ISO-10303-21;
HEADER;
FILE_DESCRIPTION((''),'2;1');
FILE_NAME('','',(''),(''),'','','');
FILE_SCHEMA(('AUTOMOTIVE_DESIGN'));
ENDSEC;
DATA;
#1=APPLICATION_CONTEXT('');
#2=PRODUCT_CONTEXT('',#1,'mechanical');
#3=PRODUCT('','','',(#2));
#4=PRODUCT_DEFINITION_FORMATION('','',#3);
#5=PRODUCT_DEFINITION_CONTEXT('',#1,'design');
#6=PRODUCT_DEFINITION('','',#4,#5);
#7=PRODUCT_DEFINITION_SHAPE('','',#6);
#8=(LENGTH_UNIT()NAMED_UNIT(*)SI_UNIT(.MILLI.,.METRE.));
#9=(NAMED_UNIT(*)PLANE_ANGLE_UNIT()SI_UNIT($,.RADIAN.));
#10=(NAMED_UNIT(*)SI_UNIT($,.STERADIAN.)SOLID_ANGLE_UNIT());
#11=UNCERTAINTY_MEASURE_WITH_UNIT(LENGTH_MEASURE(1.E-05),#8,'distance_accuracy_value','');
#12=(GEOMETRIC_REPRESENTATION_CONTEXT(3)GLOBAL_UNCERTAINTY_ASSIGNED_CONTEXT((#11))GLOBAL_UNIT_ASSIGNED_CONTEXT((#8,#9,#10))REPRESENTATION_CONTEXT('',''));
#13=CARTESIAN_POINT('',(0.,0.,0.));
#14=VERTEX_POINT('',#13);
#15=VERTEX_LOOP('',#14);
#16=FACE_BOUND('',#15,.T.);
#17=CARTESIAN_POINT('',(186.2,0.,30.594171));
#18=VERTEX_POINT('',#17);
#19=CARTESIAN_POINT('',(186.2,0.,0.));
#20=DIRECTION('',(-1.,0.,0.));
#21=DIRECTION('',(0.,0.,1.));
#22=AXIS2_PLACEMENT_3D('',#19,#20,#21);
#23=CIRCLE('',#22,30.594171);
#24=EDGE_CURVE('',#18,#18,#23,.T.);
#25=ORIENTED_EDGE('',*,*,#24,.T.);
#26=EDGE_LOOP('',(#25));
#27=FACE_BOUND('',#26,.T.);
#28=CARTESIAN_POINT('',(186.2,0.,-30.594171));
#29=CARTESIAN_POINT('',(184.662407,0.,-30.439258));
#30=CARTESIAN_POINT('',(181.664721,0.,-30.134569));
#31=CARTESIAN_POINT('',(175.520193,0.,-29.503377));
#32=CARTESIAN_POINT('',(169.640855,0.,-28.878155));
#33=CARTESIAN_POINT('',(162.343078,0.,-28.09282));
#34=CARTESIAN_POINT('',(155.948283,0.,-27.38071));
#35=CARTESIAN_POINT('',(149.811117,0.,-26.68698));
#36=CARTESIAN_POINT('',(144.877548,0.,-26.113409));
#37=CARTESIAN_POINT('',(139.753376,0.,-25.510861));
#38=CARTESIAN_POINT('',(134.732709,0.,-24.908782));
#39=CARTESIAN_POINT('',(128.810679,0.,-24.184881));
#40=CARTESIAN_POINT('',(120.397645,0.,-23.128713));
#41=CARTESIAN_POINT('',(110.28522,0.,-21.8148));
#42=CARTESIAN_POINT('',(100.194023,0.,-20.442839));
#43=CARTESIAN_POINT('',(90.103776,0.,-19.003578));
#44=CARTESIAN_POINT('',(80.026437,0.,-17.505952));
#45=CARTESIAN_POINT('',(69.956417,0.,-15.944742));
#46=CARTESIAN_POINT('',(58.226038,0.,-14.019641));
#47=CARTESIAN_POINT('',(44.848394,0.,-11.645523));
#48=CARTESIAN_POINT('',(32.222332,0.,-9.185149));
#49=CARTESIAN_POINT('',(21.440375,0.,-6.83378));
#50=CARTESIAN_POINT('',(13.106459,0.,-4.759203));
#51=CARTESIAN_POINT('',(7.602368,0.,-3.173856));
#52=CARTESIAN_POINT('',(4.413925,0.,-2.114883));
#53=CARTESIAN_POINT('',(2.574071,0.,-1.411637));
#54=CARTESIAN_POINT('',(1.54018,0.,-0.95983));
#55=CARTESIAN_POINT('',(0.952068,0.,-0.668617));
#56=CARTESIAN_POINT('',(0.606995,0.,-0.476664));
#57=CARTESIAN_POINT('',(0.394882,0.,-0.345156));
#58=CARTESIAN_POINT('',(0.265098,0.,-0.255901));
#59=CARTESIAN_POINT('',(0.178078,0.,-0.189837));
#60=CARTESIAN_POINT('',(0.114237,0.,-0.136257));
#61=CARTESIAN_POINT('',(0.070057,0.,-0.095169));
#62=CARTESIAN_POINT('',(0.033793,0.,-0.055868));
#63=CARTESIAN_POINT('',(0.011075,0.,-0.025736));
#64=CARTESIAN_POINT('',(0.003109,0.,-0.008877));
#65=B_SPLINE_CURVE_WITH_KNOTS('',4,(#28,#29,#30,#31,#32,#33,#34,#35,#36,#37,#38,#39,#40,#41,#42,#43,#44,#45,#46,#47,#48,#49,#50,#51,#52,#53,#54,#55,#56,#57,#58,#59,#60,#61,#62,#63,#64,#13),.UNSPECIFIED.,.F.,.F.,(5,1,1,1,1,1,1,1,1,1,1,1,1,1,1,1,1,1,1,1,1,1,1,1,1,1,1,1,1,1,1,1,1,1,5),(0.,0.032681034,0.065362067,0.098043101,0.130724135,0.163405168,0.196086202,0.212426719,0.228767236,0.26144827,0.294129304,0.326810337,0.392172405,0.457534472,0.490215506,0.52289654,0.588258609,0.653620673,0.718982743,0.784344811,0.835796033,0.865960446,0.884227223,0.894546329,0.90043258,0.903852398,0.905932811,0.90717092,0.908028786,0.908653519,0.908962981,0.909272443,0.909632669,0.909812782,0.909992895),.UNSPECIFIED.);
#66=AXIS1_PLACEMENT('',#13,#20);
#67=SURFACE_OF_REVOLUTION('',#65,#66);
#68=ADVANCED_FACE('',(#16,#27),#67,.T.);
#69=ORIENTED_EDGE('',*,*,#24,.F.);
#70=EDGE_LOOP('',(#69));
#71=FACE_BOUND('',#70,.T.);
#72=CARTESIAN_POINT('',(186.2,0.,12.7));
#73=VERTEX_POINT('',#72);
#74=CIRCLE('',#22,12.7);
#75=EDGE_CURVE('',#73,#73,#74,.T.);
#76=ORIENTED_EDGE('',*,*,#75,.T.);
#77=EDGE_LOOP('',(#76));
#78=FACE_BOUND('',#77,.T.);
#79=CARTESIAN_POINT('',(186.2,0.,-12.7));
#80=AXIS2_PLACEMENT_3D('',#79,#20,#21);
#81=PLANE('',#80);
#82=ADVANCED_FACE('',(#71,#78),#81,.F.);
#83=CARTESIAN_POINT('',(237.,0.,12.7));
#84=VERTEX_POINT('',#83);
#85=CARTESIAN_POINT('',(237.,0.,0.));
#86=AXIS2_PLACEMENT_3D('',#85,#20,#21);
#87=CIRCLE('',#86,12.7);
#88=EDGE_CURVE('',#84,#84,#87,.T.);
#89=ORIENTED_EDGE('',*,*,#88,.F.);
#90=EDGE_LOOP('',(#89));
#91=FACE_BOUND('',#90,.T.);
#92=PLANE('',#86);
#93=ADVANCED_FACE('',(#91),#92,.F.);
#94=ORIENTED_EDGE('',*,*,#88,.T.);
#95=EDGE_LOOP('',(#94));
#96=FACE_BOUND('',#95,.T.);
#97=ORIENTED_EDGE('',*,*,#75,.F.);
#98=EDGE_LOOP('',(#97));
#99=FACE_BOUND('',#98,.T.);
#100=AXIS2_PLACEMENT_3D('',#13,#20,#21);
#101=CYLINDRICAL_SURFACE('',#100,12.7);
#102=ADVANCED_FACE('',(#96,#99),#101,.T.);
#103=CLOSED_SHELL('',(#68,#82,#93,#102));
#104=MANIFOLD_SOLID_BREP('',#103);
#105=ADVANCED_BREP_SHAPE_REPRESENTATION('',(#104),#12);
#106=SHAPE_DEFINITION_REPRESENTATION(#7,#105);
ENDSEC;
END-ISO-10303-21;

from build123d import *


with BuildPart() as part:
    # Sketch1 → Revolve1 (revolve)
    with BuildSketch(Plane(origin=(0, 0, 0), x_dir=(1, 0, 0), z_dir=(0, 1, 0)), mode=Mode.PRIVATE) as revolve1_sk:
        with BuildLine():
            Line((0, 0), (237, 0))
            Line((237, 0), (237, 12.7))
            Line((237, 12.7), (186.200000001, 12.7))
            Line((186.200000001, 12.7), (186.200000001, 30.594170705))
            add(Edge.make_bspline(
                [(0, 0), (0.003108824, 0.008877464), (0.011075213, 0.0257359), (0.033792547, 0.055867688), (0.070057341, 0.095169349), (0.114237308, 0.136257231), (0.178077987, 0.189836562), (0.265098069, 0.255901112), (0.394881665, 0.345155619), (0.606995268, 0.476664104), (0.952068498, 0.668617104), (1.540180436, 0.959829813), (2.574071413, 1.411637301), (4.413924683, 2.114882781), (7.602367512, 3.173855716), (13.106458647, 4.759202765), (21.440375249, 6.833779879), (32.22233195, 9.185149098), (44.848393584, 11.645523212), (58.226037573, 14.019641235), (69.956416764, 15.944741522), (80.02643725, 17.505951568), (90.103776447, 19.003577807), (100.194023174, 20.442838662), (110.28522026, 21.814800154), (120.397645134, 23.128713291), (128.810678564, 24.184880712), (134.732708793, 24.908781709), (139.753375696, 25.510861346), (144.877547535, 26.113408572), (149.811116787, 26.686979635), (155.948282857, 27.380709793), (162.343077765, 28.092820391), (169.640854593, 28.878155459), (175.520193146, 29.503376876), (181.664721368, 30.134568669), (184.66240707, 30.439257875), (186.200000001, 30.594170705)],
                knots=[0, 0, 0, 0, 0, 0.000180113, 0.000360226, 0.000720451, 0.001029914, 0.001339376, 0.001964108, 0.002821975, 0.004060083, 0.006140497, 0.009560315, 0.015446565, 0.025765671, 0.044032448, 0.074196861, 0.125648084, 0.191010151, 0.256372222, 0.321734286, 0.387096355, 0.419777389, 0.452458422, 0.51782049, 0.583182557, 0.615863591, 0.648544625, 0.681225659, 0.697566176, 0.713906692, 0.746587726, 0.77926876, 0.811949794, 0.844630827, 0.877311861, 0.909992895, 0.909992895, 0.909992895, 0.909992895, 0.909992895], degree=4))
        make_face()
    revolve(revolve1_sk.sketch.rotate(Axis((0, 0, 0), (1, 0, 0)), 180), axis=Axis((0, 0, 0), (1, 0, 0)))


solid = part.part
